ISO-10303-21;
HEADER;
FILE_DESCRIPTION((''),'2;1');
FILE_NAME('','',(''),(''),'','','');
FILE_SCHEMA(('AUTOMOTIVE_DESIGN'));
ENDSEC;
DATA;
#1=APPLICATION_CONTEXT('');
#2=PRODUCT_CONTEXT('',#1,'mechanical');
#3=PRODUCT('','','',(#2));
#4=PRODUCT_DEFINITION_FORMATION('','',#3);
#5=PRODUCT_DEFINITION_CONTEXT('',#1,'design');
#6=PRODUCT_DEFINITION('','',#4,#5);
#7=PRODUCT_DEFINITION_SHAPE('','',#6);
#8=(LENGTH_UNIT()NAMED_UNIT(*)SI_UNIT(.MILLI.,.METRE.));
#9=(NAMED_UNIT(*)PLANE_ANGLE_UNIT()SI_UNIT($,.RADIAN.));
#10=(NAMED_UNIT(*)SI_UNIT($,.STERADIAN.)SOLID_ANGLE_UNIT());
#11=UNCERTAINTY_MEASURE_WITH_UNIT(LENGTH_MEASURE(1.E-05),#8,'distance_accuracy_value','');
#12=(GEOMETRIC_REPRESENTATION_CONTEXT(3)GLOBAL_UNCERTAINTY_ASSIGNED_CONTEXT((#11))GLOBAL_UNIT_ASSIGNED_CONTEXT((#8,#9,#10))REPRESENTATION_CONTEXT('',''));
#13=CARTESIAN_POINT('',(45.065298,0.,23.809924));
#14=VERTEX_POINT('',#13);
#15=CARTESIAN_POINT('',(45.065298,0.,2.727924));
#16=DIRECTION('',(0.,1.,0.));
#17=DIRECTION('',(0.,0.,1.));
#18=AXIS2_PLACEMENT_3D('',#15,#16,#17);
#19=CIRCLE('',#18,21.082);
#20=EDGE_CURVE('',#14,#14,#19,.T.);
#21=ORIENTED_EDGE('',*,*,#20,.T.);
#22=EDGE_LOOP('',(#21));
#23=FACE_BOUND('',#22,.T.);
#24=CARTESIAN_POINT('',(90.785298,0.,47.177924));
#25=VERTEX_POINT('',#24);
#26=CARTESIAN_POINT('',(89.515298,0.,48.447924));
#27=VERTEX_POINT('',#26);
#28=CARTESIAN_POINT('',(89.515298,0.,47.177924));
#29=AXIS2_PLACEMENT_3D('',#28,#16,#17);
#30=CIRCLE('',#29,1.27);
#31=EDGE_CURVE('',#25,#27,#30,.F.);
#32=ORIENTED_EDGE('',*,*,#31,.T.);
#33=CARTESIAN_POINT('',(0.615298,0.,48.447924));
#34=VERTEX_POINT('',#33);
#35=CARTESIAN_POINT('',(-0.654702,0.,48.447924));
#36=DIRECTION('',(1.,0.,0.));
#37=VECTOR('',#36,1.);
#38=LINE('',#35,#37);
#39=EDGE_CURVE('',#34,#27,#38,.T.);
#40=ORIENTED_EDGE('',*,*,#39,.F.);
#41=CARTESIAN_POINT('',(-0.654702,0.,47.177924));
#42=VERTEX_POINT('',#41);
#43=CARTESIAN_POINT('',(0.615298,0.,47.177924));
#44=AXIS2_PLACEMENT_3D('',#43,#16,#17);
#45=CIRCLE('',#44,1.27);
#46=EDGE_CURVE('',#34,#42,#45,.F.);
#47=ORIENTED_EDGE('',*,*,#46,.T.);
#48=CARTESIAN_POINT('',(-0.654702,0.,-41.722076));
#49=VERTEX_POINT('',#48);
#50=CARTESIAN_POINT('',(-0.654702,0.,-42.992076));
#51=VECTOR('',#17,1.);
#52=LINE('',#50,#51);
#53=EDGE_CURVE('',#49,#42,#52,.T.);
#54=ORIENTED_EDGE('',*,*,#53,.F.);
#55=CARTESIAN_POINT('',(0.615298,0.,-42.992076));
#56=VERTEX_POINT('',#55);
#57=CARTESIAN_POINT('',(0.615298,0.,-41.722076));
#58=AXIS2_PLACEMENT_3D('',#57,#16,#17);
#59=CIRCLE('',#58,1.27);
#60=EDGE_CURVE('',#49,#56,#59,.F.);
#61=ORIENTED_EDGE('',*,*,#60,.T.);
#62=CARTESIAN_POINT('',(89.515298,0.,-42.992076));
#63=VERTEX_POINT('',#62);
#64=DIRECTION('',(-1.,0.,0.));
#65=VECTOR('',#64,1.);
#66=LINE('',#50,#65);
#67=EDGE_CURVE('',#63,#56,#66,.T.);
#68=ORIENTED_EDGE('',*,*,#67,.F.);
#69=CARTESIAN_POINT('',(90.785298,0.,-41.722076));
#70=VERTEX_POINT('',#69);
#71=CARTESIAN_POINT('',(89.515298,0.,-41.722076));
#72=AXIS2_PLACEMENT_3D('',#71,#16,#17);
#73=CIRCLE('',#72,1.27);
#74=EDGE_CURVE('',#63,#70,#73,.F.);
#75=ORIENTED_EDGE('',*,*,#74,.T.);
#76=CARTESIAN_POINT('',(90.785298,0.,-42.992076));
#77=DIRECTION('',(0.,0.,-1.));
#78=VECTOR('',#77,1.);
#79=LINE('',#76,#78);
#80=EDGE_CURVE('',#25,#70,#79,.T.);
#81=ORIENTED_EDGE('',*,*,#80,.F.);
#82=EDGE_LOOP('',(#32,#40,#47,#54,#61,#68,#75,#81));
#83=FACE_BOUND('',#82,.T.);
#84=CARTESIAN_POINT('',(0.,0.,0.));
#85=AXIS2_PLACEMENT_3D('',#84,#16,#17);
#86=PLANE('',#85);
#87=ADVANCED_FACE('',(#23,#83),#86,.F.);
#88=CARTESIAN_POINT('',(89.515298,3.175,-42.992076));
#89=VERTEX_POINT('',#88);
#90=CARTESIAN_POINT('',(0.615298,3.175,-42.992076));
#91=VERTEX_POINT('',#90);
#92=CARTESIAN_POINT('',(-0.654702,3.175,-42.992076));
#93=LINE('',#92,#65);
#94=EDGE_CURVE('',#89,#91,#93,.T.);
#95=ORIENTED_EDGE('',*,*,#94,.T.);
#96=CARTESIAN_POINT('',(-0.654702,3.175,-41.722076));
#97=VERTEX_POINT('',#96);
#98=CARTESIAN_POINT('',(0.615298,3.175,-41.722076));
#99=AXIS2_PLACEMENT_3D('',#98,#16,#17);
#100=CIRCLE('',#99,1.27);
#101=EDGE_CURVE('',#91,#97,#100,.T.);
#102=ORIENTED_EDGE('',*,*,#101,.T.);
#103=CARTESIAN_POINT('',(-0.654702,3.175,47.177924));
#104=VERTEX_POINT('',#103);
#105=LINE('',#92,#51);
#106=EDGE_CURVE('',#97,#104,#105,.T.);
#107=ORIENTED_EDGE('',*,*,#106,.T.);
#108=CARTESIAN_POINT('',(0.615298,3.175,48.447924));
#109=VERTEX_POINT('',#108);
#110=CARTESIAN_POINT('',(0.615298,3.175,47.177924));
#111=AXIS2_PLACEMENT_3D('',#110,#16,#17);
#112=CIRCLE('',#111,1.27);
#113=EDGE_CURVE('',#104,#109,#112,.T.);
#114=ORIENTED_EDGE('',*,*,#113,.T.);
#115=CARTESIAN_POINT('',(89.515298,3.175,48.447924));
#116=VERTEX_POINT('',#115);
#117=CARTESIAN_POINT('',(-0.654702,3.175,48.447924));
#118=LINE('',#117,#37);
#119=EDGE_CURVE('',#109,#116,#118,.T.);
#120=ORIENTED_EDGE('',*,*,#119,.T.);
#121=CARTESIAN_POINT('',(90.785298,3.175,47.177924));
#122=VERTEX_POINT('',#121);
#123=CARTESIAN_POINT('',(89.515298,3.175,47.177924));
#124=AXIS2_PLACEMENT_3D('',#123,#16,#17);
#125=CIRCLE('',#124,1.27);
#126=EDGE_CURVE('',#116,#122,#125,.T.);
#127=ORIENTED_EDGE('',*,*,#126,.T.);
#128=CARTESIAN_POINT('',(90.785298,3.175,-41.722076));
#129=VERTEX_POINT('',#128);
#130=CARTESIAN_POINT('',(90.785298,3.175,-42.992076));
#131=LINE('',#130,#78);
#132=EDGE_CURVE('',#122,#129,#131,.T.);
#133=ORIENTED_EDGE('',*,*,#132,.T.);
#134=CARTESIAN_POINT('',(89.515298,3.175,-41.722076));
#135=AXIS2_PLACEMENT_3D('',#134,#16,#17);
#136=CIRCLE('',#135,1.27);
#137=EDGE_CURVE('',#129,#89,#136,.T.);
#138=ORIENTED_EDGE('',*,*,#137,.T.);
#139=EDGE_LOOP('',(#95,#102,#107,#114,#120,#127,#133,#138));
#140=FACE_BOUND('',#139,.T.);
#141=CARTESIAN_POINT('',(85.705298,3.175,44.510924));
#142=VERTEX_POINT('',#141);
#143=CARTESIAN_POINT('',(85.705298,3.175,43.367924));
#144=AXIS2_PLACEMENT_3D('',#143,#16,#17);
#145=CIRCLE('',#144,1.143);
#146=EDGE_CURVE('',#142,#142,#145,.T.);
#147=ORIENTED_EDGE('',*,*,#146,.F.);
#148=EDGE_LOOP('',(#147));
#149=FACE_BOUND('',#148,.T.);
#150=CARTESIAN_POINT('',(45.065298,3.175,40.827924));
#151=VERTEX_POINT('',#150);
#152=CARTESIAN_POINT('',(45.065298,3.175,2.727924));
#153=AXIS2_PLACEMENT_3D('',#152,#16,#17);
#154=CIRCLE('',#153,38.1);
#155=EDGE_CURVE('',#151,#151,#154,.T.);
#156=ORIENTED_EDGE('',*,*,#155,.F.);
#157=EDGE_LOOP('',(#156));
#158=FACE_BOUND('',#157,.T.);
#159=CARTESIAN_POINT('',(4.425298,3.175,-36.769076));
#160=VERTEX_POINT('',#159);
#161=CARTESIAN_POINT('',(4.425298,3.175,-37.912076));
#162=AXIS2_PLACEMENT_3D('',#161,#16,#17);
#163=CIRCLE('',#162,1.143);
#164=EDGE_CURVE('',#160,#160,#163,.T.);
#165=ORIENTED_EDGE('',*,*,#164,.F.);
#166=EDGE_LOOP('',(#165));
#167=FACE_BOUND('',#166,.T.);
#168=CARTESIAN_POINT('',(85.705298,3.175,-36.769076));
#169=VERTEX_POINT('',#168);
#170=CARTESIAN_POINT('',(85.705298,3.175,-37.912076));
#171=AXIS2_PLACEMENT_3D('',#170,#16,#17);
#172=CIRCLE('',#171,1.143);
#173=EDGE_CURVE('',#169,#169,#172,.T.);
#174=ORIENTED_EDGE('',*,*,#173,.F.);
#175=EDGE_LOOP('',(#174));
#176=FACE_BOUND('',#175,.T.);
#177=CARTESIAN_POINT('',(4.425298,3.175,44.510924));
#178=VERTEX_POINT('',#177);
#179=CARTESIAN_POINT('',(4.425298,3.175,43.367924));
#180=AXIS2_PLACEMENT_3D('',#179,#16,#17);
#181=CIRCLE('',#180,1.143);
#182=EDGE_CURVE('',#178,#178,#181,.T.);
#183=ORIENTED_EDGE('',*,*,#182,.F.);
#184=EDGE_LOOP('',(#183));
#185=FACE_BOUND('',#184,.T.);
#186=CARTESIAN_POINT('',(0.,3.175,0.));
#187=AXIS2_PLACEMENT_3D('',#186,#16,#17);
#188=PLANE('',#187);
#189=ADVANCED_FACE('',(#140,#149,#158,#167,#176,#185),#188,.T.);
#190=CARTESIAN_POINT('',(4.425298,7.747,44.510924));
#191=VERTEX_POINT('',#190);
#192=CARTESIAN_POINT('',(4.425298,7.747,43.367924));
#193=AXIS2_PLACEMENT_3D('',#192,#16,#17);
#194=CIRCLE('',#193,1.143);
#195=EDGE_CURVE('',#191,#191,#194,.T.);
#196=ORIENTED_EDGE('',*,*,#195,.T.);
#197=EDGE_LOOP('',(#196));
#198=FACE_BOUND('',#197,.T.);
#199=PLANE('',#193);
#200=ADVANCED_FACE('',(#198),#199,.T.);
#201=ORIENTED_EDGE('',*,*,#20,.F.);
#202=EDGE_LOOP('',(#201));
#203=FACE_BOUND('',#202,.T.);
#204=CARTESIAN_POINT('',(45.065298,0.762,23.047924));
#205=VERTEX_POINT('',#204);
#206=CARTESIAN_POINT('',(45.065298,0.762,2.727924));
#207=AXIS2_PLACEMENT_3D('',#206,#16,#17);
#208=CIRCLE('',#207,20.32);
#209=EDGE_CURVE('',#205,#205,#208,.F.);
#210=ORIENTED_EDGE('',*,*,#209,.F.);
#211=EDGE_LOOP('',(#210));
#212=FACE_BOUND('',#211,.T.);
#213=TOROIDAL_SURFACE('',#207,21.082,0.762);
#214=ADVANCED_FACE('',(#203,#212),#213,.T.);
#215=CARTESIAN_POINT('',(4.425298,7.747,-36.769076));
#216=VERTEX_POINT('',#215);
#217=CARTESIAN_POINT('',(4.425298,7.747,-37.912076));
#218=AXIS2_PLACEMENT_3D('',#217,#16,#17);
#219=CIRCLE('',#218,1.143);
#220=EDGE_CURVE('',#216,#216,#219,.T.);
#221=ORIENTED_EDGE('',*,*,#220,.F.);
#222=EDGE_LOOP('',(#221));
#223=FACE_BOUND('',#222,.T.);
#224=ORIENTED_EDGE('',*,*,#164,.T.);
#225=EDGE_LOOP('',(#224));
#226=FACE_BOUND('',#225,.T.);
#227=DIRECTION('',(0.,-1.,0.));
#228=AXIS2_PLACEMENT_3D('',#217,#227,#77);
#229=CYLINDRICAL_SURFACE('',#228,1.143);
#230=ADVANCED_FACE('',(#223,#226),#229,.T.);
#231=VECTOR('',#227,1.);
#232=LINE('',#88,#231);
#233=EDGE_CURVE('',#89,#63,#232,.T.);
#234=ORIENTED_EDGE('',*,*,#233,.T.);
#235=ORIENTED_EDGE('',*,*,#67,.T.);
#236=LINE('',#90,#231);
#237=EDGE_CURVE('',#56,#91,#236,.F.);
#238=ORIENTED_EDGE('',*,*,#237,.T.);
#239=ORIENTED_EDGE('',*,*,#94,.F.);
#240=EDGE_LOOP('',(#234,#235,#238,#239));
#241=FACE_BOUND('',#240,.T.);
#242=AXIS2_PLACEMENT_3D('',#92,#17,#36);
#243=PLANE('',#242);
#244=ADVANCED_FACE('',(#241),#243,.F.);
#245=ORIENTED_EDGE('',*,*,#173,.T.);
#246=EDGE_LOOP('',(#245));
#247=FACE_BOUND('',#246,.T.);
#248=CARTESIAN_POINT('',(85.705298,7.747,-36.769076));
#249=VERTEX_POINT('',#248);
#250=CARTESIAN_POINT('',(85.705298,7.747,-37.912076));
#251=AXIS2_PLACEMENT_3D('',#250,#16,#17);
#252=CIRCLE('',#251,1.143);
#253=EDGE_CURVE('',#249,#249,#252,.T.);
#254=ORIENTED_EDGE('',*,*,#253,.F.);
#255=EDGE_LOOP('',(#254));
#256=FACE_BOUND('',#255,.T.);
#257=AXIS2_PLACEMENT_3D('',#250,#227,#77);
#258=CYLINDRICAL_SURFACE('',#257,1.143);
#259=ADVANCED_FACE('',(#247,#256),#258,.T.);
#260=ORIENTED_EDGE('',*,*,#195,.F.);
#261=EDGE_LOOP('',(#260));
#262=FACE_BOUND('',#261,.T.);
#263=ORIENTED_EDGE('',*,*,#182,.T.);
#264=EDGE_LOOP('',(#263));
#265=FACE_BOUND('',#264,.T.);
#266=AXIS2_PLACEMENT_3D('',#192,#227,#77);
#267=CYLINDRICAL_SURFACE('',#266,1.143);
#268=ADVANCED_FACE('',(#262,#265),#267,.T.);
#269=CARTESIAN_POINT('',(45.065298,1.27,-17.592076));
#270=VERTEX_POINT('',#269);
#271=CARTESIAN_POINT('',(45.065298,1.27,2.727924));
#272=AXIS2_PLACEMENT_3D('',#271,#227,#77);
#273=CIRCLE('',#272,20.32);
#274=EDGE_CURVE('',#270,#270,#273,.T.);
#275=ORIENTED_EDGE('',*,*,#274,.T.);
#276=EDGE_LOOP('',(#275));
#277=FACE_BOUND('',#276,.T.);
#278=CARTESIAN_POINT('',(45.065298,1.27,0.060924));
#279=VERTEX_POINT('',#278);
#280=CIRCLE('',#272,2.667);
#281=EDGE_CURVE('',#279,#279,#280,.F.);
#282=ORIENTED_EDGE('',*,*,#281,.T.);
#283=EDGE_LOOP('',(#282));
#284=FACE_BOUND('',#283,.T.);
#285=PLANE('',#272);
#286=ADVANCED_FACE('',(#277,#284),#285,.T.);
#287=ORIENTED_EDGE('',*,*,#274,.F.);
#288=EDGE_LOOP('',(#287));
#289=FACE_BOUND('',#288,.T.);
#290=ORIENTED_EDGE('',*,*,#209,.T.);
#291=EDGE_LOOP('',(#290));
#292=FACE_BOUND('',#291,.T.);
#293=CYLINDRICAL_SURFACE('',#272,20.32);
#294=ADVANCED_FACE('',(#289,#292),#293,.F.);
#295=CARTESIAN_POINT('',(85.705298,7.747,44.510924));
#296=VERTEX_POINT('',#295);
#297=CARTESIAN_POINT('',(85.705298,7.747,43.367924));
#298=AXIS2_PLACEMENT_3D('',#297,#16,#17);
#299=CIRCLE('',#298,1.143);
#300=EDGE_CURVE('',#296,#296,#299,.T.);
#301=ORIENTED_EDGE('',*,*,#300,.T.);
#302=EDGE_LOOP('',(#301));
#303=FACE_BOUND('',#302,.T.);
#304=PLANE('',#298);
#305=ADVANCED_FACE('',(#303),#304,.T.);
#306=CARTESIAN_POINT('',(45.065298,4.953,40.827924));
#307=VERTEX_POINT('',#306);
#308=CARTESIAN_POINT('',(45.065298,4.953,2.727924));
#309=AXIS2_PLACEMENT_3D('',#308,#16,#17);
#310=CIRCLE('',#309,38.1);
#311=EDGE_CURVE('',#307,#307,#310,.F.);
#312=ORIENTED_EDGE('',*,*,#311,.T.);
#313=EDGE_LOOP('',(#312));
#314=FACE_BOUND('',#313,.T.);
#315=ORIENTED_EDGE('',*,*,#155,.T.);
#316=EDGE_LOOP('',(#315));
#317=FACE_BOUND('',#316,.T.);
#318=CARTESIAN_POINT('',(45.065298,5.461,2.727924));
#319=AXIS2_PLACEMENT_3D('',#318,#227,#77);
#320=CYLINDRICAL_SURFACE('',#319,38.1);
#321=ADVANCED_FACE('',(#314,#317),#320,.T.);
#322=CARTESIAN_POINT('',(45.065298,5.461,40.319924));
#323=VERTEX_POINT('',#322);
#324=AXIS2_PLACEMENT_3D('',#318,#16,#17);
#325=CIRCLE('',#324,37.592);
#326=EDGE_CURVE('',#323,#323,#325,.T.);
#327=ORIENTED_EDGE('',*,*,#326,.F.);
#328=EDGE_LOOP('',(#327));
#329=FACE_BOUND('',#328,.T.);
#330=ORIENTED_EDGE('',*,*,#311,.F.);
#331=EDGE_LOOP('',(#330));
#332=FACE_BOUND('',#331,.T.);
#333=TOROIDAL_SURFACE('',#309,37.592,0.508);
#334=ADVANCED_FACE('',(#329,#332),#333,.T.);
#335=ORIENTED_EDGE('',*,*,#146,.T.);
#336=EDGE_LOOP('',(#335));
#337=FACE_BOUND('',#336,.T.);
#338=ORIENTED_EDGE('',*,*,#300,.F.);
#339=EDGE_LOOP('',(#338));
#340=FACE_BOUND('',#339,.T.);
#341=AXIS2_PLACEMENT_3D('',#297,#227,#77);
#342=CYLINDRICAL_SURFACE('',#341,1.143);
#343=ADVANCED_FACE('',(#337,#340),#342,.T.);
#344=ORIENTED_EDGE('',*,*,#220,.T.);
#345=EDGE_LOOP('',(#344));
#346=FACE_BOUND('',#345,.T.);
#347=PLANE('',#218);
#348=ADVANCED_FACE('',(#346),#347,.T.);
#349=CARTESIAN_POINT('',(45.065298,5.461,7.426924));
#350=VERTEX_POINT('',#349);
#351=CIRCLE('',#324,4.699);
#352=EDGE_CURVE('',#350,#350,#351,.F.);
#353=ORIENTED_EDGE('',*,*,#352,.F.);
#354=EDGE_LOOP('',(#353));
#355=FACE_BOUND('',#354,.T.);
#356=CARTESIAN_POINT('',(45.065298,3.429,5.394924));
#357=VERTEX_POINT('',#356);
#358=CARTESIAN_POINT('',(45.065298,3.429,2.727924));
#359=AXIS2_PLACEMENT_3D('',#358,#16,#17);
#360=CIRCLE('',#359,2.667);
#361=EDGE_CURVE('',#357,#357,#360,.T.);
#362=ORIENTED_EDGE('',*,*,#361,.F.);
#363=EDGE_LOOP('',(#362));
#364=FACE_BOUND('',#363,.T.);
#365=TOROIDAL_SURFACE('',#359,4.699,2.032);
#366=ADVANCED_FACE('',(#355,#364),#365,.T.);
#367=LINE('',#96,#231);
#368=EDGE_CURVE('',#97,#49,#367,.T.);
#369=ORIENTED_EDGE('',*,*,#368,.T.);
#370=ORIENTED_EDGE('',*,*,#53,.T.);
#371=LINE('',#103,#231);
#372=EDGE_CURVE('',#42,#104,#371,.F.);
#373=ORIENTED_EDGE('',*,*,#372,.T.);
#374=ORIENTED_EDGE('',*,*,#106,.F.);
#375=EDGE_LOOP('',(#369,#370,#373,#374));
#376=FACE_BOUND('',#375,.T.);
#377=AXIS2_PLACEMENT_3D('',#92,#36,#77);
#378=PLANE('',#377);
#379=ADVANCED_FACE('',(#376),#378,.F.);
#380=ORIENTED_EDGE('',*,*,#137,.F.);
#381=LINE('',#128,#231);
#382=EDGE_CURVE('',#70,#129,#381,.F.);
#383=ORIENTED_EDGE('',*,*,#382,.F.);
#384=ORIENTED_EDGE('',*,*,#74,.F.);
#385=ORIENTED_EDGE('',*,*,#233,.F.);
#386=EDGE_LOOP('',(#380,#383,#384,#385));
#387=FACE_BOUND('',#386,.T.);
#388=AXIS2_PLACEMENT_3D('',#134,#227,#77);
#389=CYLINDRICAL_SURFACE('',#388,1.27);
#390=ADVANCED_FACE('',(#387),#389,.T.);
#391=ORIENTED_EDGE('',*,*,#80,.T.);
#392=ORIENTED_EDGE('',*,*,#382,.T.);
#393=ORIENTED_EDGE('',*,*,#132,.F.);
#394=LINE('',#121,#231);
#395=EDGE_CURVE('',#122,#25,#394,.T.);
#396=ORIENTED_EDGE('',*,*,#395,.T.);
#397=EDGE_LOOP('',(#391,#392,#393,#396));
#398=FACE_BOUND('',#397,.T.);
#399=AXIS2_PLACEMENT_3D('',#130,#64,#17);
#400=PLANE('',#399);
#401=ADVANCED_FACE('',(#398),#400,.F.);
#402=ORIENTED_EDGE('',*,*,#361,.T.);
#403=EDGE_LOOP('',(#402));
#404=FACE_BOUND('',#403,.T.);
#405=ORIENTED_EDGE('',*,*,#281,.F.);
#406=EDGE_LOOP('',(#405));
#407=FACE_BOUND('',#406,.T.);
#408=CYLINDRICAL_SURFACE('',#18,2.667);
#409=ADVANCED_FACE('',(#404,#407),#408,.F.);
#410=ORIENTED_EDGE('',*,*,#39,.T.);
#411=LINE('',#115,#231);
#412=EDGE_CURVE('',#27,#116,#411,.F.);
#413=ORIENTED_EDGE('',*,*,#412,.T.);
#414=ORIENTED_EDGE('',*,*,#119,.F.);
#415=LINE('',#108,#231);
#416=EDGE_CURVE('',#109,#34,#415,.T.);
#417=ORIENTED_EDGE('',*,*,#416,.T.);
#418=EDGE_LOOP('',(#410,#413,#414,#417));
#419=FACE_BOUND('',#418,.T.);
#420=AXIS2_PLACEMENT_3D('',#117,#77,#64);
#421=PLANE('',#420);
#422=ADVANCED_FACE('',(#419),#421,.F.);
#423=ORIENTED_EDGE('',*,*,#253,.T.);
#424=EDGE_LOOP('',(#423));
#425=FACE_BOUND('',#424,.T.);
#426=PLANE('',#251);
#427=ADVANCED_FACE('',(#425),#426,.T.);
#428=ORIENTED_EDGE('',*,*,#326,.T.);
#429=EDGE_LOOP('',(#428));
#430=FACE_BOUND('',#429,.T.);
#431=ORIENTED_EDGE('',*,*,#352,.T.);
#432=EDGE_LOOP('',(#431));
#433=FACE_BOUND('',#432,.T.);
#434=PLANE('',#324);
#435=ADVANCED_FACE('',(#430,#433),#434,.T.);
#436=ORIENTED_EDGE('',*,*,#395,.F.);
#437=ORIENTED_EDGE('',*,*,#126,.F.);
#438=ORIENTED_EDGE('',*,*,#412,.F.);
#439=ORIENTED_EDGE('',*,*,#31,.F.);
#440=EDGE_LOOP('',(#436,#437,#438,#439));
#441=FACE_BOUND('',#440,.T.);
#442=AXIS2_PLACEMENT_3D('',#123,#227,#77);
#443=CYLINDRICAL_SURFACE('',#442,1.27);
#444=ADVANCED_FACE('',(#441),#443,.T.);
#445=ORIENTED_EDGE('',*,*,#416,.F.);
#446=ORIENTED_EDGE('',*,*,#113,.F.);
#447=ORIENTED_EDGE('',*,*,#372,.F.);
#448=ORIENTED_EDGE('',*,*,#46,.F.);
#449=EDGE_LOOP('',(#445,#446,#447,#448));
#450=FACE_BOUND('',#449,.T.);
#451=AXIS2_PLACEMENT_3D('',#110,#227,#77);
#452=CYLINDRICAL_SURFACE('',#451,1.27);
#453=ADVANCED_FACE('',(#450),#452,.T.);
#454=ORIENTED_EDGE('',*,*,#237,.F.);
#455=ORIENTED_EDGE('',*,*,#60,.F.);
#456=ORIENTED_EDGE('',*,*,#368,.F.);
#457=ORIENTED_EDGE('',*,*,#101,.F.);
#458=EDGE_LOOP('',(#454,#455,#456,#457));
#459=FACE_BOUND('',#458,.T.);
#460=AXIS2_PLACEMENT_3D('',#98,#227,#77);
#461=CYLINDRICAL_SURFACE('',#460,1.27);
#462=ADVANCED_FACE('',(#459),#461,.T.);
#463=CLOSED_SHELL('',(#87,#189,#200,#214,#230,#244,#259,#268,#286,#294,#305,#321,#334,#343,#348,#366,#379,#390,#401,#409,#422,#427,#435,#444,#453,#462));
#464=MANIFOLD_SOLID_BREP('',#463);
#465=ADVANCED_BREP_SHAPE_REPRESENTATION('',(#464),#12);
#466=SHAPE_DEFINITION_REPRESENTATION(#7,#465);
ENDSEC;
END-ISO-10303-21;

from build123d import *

# Parameters (mm, degrees)
SKETCH1_W           = 91.44
SKETCH1_H           = 91.44
BOSS_EXTRUDE1_DEPTH = 3.175
SKETCH2_R           = 38.1
BOSS_EXTRUDE2_DEPTH = 2.286
SKETCH3_R           = 1.143
BOSS_EXTRUDE3_DEPTH = 4.572
SKETCH4_R           = 2.667
CUT_EXTRUDE1_DEPTH  = 104.048504199
FILLET1_R           = 2.032
FILLET3_R           = 1.27
SKETCH5_R           = 20.32
CUT_EXTRUDE2_DEPTH  = 1.27
FILLET4_R           = 0.762
FILLET6_R           = 0.508


with BuildPart() as part:
    # Sketch1 → Boss-Extrude1 (new body)
    with BuildSketch(Plane(origin=(0, 0, 0), x_dir=(1, 0, 0), z_dir=(0, 1, 0))):
        with Locations((45.065298329, -2.727923628)):
            Rectangle(SKETCH1_W, SKETCH1_H)
    extrude(amount=BOSS_EXTRUDE1_DEPTH)

    # Sketch2 → Boss-Extrude2 (add)
    with BuildSketch(Plane(origin=(0, 3.175, 0), x_dir=(1, 0, 0), z_dir=(0, 1, 0))):
        with Locations(Location((45.065298329, -2.727923628, 0), (0, 0, 270))):
            Circle(SKETCH2_R)
    extrude(amount=BOSS_EXTRUDE2_DEPTH)

    # Sketch3 → Boss-Extrude3 (add)
    with BuildSketch(Plane(origin=(0, 3.175, 0), x_dir=(1, 0, 0), z_dir=(0, 1, 0))):
        with Locations(Location((4.425298329, 37.912076372, 0), (0, 0, 270))):
            Circle(SKETCH3_R)
        with Locations(Location((4.425298329, -43.367923628, 0), (0, 0, 270))):
            Circle(SKETCH3_R)
        with Locations(Location((85.705298329, -43.367923628, 0), (0, 0, 270))):
            Circle(SKETCH3_R)
        with Locations(Location((85.705298329, 37.912076372, 0), (0, 0, 270))):
            Circle(SKETCH3_R)
    extrude(amount=BOSS_EXTRUDE3_DEPTH)

    # Sketch4 → Cut-Extrude1 (cut, through all)
    with BuildSketch(Plane(origin=(0, 5.461, 0), x_dir=(1, 0, 0), z_dir=(0, 1, 0))):
        with Locations(Location((45.065298329, -2.727923628, 0), (0, 0, 270))):
            Circle(SKETCH4_R)
    extrude(amount=-CUT_EXTRUDE1_DEPTH, mode=Mode.SUBTRACT)

    # Fillet1
    fillet1_edges = [part.edges().sort_by_distance(p)[0] for p in [
        (45.065298329, 5.461, 0.060923628),
    ]]
    fillet(fillet1_edges, radius=FILLET1_R)

    # Fillet3
    fillet3_edges = [part.edges().sort_by_distance(p)[0] for p in [
        (-0.654701671, 1.5875, -42.992076372),
        (90.785298329, 1.5875, -42.992076372),
        (90.785298329, 1.5875, 48.447923628),
        (-0.654701671, 1.5875, 48.447923628),
    ]]
    fillet(fillet3_edges, radius=FILLET3_R)

    # Sketch5 → Cut-Extrude2 (cut)
    with BuildSketch(Plane.XZ):
        with Locations(Location((45.065298329, 2.727923628, 0), (0, 0, 270))):
            Circle(SKETCH5_R)
    extrude(amount=-CUT_EXTRUDE2_DEPTH, mode=Mode.SUBTRACT)

    # Fillet4
    fillet4_edges = [part.edges().sort_by_distance(p)[0] for p in [
        (45.065298329, 0, 23.047923628),
    ]]
    fillet(fillet4_edges, radius=FILLET4_R)

    # Fillet6
    fillet6_edges = [part.edges().sort_by_distance(p)[0] for p in [
        (45.065298329, 5.461, -35.372076372),
    ]]
    fillet(fillet6_edges, radius=FILLET6_R)


solid = part.part
